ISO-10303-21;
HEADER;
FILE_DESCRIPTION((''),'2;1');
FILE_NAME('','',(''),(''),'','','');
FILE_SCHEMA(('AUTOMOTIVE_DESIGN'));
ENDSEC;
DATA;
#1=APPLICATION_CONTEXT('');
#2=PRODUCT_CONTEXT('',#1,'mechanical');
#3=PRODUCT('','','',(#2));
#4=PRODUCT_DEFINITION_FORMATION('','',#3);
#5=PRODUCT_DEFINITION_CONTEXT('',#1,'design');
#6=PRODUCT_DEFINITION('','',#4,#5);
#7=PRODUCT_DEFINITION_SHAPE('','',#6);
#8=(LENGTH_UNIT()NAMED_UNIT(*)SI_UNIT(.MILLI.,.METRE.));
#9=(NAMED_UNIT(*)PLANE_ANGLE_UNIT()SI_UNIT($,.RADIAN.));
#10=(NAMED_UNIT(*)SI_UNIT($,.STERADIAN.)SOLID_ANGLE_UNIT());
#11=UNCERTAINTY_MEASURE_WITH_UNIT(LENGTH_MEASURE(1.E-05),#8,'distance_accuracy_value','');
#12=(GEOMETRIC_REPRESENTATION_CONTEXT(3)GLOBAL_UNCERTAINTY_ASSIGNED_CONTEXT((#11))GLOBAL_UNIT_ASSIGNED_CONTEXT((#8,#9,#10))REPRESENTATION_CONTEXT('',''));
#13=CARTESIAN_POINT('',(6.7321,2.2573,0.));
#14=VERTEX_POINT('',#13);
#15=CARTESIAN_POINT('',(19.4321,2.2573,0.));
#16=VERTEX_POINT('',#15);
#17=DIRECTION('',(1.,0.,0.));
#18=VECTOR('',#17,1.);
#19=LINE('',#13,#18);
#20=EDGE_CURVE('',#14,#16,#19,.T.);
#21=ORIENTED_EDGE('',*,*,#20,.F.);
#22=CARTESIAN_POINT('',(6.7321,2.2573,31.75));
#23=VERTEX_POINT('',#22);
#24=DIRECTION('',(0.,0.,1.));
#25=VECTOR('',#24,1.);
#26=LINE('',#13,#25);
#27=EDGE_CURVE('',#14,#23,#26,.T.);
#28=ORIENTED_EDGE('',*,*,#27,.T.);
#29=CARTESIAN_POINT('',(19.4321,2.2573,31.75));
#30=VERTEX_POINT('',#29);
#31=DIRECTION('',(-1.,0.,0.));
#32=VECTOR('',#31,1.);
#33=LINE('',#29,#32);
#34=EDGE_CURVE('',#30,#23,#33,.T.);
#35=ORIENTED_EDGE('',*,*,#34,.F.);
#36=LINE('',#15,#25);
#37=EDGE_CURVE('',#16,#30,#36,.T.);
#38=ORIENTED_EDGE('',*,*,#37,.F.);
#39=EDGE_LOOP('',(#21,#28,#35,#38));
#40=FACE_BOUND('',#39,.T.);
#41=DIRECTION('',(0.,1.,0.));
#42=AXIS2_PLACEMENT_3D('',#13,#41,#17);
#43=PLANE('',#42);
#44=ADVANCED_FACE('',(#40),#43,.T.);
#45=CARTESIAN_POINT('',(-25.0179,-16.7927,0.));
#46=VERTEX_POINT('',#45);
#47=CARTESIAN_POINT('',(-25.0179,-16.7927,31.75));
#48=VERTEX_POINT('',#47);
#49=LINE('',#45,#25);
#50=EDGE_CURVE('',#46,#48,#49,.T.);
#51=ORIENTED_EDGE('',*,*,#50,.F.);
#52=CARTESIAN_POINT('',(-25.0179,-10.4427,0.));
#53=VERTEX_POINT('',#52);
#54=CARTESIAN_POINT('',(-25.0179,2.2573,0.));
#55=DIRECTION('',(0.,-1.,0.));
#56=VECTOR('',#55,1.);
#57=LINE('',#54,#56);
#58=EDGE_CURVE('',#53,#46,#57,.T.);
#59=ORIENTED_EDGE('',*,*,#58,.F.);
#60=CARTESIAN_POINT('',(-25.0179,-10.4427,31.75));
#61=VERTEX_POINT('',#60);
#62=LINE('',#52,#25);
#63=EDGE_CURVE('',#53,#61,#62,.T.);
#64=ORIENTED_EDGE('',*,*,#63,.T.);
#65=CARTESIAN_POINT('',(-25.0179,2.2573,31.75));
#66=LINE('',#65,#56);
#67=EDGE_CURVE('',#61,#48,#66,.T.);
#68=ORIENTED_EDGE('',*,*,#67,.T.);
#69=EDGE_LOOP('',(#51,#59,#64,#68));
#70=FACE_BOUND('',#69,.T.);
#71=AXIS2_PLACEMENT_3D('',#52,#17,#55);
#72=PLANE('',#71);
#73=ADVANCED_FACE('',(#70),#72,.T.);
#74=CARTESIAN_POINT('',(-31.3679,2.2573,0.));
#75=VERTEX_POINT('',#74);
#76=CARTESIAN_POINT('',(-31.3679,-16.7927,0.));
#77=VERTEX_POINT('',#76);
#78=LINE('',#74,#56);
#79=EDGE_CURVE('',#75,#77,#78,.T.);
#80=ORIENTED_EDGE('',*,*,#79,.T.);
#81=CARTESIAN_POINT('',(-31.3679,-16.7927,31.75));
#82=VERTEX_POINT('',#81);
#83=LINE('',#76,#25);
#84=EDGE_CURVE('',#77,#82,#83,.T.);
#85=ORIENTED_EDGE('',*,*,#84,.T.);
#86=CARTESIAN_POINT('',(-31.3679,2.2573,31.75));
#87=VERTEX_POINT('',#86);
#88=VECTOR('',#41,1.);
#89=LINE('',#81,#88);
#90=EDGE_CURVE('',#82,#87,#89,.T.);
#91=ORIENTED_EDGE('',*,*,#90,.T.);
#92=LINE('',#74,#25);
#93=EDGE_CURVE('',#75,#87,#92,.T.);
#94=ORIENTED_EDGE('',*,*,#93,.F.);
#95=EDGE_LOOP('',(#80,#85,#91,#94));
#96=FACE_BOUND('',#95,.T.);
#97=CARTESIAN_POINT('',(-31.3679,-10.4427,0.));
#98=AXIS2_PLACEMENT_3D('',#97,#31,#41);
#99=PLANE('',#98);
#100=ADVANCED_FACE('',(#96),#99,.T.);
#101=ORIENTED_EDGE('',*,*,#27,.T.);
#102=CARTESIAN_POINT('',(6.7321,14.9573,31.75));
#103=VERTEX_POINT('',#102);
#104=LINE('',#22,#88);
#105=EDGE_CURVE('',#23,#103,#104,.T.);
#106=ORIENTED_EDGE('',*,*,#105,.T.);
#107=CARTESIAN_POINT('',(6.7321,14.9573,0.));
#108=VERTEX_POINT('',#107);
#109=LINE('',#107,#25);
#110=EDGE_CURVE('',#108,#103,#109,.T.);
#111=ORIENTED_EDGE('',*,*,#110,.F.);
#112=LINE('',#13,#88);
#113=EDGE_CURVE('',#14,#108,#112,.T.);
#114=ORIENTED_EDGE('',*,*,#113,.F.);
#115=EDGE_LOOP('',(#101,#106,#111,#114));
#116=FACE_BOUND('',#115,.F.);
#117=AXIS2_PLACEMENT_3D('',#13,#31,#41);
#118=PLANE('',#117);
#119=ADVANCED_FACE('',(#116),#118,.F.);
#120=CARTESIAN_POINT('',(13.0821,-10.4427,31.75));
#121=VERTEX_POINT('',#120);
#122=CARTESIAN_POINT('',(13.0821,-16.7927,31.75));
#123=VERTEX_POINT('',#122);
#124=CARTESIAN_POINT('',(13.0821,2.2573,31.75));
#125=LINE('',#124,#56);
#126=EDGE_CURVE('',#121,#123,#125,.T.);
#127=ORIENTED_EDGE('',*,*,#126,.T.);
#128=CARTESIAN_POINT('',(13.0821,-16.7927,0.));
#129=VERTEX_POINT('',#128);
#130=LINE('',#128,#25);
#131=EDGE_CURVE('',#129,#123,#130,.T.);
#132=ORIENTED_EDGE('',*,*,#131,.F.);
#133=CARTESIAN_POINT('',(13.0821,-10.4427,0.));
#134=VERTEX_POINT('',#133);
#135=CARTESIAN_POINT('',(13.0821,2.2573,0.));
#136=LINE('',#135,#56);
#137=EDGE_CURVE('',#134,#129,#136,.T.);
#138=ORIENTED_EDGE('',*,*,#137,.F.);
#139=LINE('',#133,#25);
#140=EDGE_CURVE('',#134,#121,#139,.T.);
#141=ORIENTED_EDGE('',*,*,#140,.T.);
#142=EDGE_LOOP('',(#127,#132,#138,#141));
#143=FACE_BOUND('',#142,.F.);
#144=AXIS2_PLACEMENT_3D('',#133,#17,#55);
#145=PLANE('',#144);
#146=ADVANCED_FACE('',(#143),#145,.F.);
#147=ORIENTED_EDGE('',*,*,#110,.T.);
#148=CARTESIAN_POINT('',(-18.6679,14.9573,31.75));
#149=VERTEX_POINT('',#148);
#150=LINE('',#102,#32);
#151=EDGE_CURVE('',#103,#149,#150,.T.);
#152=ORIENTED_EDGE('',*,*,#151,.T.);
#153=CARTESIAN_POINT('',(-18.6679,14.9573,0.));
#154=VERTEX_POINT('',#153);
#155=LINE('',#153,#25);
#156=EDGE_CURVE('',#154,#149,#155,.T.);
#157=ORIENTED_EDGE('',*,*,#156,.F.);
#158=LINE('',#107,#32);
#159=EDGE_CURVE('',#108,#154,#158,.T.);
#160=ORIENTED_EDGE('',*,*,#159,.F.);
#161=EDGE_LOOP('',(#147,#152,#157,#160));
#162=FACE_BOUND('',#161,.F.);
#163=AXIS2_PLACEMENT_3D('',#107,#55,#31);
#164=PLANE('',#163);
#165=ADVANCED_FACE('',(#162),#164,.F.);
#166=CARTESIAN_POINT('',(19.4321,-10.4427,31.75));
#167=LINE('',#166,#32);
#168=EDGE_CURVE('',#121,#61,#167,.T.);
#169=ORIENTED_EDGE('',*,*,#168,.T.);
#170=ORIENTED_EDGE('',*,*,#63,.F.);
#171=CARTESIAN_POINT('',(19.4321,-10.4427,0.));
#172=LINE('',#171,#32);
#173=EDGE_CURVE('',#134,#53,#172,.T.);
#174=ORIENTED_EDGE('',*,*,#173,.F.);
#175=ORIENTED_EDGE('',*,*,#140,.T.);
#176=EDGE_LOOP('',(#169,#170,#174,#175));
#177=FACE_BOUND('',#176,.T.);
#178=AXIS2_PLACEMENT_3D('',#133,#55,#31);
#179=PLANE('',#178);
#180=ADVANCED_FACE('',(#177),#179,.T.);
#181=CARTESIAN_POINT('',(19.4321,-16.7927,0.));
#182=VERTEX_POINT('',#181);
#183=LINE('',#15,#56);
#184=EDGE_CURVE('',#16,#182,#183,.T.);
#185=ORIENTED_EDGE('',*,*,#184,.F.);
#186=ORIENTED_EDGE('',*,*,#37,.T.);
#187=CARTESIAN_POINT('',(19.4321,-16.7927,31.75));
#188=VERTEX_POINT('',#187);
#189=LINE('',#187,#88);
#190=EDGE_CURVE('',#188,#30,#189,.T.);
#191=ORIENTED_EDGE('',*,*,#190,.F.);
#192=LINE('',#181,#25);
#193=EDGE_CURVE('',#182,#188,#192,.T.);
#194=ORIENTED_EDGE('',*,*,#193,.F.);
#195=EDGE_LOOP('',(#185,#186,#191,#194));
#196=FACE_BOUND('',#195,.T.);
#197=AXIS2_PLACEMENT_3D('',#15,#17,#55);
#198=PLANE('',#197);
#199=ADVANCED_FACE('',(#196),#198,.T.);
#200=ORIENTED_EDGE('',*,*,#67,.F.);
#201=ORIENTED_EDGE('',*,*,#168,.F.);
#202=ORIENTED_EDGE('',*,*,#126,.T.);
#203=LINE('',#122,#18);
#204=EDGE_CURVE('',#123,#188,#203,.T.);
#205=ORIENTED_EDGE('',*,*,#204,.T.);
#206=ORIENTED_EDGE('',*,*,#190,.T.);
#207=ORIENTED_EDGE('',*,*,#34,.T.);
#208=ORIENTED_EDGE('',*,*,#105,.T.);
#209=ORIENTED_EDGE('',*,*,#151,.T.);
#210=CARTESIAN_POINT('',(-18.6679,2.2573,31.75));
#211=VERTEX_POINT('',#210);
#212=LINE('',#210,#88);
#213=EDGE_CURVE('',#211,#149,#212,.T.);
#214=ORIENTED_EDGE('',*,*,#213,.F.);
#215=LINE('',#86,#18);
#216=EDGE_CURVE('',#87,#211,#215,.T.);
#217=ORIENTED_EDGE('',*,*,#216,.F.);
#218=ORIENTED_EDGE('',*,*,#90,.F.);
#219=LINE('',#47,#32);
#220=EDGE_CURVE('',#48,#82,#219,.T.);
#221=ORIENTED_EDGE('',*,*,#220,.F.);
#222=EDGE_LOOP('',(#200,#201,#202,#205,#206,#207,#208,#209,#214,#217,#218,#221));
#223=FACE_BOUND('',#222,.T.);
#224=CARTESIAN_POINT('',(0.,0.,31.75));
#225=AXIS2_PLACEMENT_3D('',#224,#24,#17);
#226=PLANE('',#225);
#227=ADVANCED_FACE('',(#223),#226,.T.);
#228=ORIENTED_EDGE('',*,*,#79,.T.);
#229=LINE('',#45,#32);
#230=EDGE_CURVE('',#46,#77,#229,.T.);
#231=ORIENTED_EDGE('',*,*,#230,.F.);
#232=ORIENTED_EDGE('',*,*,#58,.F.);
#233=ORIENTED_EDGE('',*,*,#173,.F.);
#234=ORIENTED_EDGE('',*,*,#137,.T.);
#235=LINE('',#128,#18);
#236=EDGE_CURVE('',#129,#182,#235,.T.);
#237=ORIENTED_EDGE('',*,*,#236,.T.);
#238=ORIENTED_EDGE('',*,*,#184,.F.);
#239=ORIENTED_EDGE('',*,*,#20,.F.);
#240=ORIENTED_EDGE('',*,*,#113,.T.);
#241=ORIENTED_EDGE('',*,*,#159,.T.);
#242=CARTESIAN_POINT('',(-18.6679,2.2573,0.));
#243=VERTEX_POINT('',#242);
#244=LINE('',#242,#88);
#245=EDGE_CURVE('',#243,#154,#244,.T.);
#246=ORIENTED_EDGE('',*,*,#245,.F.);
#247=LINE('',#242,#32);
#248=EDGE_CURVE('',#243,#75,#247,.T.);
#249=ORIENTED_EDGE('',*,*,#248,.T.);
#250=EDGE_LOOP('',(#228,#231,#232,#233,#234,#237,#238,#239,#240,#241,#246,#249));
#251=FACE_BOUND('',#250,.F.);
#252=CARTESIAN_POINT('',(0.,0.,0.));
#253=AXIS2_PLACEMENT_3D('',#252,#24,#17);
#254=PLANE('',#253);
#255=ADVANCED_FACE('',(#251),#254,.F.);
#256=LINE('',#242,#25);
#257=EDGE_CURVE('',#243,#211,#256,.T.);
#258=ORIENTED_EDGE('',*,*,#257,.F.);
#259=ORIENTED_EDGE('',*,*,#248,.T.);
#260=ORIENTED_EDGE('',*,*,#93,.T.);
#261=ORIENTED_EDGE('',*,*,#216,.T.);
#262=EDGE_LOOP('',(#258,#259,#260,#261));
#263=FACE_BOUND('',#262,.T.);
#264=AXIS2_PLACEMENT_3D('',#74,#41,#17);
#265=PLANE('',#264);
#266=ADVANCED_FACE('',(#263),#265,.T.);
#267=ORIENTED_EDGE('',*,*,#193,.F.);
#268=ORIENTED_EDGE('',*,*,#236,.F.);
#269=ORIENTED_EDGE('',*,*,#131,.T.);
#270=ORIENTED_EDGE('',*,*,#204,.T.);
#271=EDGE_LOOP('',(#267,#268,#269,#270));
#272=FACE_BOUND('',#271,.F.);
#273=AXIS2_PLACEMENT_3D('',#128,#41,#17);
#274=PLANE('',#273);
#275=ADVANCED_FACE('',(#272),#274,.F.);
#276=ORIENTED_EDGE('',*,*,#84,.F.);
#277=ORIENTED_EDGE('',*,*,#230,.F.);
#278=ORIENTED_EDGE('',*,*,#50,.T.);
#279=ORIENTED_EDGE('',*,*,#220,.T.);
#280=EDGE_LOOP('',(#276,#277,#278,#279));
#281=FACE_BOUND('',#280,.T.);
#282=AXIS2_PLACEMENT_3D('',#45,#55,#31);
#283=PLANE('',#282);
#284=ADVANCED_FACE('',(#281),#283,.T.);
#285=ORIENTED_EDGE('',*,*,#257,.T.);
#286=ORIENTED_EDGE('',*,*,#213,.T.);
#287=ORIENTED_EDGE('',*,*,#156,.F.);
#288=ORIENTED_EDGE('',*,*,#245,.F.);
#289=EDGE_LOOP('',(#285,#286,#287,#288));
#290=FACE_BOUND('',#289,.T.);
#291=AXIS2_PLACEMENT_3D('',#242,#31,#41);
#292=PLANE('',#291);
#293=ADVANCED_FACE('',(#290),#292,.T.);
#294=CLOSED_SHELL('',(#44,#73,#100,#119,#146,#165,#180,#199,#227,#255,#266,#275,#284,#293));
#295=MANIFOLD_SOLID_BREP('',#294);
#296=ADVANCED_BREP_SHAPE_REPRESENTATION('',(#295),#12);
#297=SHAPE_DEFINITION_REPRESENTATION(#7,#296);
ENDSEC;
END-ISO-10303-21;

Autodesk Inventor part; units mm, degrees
ref_plane "YZ Plane" through (0, 0, 0) normal (1, 0, 0) x (0, 1, 0)
ref_plane "XZ Plane" through (0, 0, 0) normal (0, 1, 0) x (-1, 0, 0)
ref_plane "XY Plane" through (0, 0, 0) normal (0, 0, 1) x (1, 0, 0)
sketch "Sketch1" plane through (0, 0, 0) normal (0, 0, 1) x (1, 0, 0)
  line L0 (-31.3679, 2.2573) -> (-25.0179, 2.2573)
  line L1 (-25.0179, 2.2573) -> (-25.0179, -16.7927)
  line L2 (-25.0179, -16.7927) -> (-31.3679, -16.7927)
  line L3 (-31.3679, -16.7927) -> (-31.3679, 2.2573)
  line L4 (-31.3679, 2.2573) -> (19.4321, 2.2573)
  line L5 (19.4321, 2.2573) -> (19.4321, -10.4427)
  line L6 (19.4321, -10.4427) -> (-31.3679, -10.4427)
  line L7 (-31.3679, -10.4427) -> (-31.3679, 2.2573)
  line L8 (19.4321, 2.2573) -> (13.0821, 2.2573)
  line L9 (13.0821, 2.2573) -> (13.0821, -16.7927)
  line L10 (13.0821, -16.7927) -> (19.4321, -16.7927)
  line L11 (19.4321, -16.7927) -> (19.4321, 2.2573)
  line L12 (-31.3679, 2.2573) -> (-18.6679, 2.2573)
  line L13 (-18.6679, 2.2573) -> (-18.6679, 14.9573)
  line L14 (-18.6679, 2.2573) -> (6.7321, 2.2573)
  line L15 (6.7321, 2.2573) -> (6.7321, 14.9573)
  line L16 (6.7321, 14.9573) -> (-18.6679, 14.9573)
  line L17 (-18.6679, 14.9573) -> (-18.6679, 2.2573)
  point P0 (0, 0)
  dimension "d0" = 6.35
  dimension "d1" = 19.05
  dimension "d2" = 50.8
  dimension "d3" = 12.7
  dimension "d4" = 6.35
  dimension "d5" = 19.05
  dimension "d7" = 12.7
  dimension "d8" = 25.4
  dimension "d9" = 12.7
extrude "Extrusion1" add sketch "Sketch1" along normal blind 31.75
